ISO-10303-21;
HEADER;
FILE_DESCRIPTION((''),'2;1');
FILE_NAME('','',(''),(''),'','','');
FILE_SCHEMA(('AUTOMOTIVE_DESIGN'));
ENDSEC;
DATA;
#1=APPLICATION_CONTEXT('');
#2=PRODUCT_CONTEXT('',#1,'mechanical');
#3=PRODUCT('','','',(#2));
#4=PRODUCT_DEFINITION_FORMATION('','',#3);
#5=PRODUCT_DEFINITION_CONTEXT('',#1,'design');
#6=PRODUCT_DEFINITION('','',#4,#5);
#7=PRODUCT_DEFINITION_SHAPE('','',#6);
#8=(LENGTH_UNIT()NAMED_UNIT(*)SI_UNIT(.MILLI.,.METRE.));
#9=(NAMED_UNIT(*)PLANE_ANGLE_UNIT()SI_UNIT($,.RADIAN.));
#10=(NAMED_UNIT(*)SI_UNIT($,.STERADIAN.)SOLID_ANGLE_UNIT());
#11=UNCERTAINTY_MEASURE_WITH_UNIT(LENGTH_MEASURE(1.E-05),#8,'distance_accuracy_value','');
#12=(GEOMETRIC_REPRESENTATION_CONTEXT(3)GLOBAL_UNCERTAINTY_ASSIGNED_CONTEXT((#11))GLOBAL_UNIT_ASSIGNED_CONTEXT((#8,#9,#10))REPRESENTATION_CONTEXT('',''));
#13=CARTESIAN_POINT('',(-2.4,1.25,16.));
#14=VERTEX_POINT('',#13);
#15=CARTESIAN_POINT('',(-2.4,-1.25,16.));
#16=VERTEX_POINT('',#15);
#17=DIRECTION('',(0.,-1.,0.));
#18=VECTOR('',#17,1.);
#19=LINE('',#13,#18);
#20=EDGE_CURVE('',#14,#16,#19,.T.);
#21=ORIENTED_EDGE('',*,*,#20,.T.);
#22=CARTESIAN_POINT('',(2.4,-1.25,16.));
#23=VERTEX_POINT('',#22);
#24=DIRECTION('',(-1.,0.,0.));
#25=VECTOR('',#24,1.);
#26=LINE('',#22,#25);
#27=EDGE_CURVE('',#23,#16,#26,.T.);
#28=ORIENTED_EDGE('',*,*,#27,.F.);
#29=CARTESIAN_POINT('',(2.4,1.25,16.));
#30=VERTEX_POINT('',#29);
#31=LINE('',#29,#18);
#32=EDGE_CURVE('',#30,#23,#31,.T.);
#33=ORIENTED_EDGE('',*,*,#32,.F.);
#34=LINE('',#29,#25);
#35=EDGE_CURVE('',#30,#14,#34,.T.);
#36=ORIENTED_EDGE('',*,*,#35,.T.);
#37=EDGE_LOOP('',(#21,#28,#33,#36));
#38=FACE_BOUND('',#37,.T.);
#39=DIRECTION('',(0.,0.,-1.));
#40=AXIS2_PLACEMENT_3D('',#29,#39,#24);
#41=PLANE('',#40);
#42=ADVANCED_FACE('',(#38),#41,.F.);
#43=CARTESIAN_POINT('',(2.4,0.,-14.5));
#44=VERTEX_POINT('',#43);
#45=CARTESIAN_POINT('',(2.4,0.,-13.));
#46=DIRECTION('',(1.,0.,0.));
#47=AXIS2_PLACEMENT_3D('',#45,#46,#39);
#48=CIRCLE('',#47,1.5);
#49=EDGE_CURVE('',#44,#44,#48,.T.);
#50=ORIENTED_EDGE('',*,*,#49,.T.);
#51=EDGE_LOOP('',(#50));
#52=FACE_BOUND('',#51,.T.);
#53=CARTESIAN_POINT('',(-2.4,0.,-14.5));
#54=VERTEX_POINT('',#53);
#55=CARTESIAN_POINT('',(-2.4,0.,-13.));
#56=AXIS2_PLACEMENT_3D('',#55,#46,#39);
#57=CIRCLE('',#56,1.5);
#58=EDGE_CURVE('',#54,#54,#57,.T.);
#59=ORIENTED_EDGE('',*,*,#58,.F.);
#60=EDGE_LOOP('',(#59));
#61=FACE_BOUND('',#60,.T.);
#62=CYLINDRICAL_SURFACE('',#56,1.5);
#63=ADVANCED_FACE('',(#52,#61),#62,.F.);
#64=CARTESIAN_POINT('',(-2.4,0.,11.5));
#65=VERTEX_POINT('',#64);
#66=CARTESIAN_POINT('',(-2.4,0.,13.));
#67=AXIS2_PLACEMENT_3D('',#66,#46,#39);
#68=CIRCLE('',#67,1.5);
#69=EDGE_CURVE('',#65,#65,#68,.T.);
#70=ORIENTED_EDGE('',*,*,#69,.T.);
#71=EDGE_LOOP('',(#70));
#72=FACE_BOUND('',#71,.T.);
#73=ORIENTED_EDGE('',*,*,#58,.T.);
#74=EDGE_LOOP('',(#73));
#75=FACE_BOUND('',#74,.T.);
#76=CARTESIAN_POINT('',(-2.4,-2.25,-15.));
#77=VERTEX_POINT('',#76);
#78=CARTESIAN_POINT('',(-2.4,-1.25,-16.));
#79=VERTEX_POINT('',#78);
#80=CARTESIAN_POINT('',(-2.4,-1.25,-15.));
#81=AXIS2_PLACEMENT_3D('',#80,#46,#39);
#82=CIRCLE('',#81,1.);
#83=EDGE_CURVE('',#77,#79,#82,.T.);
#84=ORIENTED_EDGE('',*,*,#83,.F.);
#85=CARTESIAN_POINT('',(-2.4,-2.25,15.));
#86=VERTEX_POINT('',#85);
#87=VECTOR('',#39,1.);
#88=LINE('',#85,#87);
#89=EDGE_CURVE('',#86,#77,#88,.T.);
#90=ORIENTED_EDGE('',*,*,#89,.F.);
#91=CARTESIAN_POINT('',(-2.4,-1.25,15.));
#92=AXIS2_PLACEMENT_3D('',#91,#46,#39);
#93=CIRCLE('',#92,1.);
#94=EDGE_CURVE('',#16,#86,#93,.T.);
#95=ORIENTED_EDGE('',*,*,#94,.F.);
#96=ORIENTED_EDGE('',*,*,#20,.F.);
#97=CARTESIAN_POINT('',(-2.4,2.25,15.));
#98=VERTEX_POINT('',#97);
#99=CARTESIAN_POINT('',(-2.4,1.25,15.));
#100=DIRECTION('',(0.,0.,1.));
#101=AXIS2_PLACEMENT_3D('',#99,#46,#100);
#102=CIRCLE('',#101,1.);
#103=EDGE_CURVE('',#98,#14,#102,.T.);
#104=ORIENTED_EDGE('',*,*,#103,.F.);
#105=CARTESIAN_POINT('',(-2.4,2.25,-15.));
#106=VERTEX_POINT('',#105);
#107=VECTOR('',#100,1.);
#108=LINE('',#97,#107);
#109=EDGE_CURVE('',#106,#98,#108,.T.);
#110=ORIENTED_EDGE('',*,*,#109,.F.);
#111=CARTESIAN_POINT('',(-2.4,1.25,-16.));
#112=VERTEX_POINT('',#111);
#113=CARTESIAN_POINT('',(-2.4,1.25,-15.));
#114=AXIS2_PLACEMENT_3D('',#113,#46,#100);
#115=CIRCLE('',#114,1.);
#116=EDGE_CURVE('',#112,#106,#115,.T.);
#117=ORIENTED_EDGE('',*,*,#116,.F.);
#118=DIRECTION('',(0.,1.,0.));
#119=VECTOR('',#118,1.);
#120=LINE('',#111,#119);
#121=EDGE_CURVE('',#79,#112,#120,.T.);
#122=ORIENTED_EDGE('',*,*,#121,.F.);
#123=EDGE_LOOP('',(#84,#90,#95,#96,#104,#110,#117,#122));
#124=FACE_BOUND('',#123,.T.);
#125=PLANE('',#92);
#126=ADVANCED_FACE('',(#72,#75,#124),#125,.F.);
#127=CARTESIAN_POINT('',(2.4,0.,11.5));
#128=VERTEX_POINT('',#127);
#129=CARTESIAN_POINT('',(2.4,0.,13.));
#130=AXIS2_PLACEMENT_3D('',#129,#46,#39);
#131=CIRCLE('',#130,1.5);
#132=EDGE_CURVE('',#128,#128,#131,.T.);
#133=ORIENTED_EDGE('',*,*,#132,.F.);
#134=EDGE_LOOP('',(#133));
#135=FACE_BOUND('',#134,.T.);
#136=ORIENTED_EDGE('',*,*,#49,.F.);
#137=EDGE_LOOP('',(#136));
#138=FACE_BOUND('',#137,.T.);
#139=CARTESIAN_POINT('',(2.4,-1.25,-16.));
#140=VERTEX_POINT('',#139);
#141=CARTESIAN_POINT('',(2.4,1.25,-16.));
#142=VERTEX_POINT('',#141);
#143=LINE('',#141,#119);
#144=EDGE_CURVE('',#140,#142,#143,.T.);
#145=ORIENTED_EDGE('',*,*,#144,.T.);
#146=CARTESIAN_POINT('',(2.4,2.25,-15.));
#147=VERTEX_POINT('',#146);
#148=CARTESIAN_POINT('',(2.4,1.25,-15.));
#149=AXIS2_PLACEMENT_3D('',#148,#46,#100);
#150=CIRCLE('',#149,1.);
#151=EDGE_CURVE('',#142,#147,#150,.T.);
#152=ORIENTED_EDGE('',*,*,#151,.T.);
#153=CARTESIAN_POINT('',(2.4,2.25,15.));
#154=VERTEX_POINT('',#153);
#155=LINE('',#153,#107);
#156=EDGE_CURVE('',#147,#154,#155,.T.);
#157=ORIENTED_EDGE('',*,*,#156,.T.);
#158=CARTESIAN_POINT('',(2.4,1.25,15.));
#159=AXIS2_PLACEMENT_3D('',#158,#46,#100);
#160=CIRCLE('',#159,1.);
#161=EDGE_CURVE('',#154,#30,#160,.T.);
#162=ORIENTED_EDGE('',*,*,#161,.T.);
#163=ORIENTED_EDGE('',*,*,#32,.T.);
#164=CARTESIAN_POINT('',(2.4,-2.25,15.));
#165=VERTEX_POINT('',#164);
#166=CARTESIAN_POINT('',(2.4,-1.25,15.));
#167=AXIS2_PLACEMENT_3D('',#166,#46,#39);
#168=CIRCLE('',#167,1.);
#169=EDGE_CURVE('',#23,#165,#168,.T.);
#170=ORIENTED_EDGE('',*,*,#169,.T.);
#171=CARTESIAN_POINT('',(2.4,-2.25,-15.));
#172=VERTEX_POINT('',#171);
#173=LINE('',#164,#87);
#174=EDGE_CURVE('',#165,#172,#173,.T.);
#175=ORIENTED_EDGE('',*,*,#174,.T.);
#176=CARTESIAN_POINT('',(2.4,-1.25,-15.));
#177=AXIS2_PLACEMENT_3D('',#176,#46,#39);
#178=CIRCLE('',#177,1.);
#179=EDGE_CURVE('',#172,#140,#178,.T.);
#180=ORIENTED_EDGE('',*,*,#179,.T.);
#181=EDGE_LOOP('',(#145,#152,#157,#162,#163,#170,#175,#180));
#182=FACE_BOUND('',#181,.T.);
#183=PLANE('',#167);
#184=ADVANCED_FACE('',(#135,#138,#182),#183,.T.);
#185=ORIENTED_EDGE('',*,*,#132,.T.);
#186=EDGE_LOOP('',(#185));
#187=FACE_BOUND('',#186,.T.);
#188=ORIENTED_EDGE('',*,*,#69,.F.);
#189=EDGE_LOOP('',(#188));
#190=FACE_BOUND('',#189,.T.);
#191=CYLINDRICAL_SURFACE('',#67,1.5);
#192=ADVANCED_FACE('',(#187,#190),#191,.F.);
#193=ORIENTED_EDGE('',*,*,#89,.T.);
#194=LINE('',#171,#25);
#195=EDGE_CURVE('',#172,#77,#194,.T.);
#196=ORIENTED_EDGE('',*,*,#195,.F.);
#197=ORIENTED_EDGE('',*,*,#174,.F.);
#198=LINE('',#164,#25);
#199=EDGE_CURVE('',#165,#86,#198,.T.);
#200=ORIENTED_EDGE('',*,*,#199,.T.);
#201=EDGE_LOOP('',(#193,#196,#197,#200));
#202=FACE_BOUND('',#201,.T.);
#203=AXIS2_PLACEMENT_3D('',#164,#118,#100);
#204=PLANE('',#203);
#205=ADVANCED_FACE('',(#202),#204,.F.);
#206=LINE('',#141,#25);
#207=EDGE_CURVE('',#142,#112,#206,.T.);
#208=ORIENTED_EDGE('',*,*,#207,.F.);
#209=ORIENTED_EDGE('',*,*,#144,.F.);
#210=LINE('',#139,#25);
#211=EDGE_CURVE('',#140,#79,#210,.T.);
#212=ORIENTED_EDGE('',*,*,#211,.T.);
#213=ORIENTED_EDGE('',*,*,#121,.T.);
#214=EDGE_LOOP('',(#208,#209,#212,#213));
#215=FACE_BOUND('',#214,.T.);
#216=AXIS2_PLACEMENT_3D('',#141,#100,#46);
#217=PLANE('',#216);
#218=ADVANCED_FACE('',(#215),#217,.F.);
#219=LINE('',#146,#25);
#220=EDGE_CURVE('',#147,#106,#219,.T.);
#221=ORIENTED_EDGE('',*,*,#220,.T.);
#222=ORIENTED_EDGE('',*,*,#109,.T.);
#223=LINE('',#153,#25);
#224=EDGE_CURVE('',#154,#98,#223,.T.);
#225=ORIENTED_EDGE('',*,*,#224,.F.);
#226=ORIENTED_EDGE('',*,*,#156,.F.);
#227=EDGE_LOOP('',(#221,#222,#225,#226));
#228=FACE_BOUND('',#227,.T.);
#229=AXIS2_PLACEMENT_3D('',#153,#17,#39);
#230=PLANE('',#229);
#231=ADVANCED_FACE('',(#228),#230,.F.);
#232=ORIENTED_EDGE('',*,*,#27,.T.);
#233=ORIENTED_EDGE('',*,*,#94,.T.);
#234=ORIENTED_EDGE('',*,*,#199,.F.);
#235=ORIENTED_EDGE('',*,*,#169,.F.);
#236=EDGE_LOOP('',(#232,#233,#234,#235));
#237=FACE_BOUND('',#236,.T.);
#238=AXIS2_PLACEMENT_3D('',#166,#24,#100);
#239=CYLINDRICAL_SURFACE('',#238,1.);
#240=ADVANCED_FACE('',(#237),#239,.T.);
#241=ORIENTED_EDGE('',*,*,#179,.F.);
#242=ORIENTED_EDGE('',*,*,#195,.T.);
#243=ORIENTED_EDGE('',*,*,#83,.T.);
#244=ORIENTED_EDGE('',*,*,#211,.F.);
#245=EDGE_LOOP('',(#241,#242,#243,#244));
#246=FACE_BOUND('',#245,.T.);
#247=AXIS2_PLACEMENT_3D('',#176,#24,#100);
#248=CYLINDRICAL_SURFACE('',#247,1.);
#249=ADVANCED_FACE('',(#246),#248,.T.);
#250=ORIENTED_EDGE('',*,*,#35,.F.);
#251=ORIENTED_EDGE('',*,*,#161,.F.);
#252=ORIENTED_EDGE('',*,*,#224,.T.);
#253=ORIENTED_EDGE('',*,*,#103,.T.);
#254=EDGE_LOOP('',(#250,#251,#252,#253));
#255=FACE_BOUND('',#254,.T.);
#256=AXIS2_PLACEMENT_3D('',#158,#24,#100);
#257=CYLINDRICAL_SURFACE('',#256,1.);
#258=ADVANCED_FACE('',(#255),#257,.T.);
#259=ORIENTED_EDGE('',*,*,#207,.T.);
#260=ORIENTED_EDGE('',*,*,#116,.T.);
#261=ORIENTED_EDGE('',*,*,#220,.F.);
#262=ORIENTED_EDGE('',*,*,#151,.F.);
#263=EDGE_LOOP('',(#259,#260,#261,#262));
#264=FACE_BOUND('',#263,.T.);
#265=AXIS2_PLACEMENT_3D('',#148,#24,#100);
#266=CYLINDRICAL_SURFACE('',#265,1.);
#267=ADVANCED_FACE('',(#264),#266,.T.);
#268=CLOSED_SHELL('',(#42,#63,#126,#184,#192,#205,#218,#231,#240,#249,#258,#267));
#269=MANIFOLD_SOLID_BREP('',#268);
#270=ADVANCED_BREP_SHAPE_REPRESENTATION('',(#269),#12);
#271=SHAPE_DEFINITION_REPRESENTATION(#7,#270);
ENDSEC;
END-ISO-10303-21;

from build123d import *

# Parameters (mm, degrees)
SALIENTE_EXTRUIR1_DEPTH    = 2.4
CORTAR_EXTRUIR1_DEPTH      = 17.334702324
CORTAR_EXTRUIR1_DEPTH_BACK = 17.334702324
CROQUIS2_R                 = 1.5


with BuildPart() as part:
    # Croquis1 → Saliente-Extruir1 (new, symmetric)
    with BuildSketch(Plane(origin=(0, 0, 0), x_dir=(0, 0, -1), z_dir=(1, 0, 0))):
        with BuildLine():
            Line((-15, 2.25), (15, 2.25))
            ThreePointArc((15, 2.25), (15.707106781, 1.957106781), (16, 1.25))
            Line((16, 1.25), (16, -1.25))
            ThreePointArc((16, -1.25), (15.707106781, -1.957106781), (15, -2.25))
            Line((15, -2.25), (-15, -2.25))
            ThreePointArc((-15, -2.25), (-15.707106781, -1.957106781), (-16, -1.25))
            Line((-16, -1.25), (-16, 1.25))
            ThreePointArc((-16, 1.25), (-15.707106781, 1.957106781), (-15, 2.25))
        make_face()
    extrude(amount=SALIENTE_EXTRUIR1_DEPTH, both=True)

    # Croquis2 → Cortar-Extruir1 (cut, two sides: drawn at the far end of the back side and taken through both)
    with BuildSketch(Plane(origin=(0, 0, 0), x_dir=(0, 0, -1), z_dir=(1, 0, 0)).offset(-CORTAR_EXTRUIR1_DEPTH_BACK)):
        with Locations((-13, 0)):
            Circle(CROQUIS2_R)
        with Locations((13, 0)):
            Circle(CROQUIS2_R)
    extrude(amount=CORTAR_EXTRUIR1_DEPTH + CORTAR_EXTRUIR1_DEPTH_BACK, mode=Mode.SUBTRACT)


solid = part.part
